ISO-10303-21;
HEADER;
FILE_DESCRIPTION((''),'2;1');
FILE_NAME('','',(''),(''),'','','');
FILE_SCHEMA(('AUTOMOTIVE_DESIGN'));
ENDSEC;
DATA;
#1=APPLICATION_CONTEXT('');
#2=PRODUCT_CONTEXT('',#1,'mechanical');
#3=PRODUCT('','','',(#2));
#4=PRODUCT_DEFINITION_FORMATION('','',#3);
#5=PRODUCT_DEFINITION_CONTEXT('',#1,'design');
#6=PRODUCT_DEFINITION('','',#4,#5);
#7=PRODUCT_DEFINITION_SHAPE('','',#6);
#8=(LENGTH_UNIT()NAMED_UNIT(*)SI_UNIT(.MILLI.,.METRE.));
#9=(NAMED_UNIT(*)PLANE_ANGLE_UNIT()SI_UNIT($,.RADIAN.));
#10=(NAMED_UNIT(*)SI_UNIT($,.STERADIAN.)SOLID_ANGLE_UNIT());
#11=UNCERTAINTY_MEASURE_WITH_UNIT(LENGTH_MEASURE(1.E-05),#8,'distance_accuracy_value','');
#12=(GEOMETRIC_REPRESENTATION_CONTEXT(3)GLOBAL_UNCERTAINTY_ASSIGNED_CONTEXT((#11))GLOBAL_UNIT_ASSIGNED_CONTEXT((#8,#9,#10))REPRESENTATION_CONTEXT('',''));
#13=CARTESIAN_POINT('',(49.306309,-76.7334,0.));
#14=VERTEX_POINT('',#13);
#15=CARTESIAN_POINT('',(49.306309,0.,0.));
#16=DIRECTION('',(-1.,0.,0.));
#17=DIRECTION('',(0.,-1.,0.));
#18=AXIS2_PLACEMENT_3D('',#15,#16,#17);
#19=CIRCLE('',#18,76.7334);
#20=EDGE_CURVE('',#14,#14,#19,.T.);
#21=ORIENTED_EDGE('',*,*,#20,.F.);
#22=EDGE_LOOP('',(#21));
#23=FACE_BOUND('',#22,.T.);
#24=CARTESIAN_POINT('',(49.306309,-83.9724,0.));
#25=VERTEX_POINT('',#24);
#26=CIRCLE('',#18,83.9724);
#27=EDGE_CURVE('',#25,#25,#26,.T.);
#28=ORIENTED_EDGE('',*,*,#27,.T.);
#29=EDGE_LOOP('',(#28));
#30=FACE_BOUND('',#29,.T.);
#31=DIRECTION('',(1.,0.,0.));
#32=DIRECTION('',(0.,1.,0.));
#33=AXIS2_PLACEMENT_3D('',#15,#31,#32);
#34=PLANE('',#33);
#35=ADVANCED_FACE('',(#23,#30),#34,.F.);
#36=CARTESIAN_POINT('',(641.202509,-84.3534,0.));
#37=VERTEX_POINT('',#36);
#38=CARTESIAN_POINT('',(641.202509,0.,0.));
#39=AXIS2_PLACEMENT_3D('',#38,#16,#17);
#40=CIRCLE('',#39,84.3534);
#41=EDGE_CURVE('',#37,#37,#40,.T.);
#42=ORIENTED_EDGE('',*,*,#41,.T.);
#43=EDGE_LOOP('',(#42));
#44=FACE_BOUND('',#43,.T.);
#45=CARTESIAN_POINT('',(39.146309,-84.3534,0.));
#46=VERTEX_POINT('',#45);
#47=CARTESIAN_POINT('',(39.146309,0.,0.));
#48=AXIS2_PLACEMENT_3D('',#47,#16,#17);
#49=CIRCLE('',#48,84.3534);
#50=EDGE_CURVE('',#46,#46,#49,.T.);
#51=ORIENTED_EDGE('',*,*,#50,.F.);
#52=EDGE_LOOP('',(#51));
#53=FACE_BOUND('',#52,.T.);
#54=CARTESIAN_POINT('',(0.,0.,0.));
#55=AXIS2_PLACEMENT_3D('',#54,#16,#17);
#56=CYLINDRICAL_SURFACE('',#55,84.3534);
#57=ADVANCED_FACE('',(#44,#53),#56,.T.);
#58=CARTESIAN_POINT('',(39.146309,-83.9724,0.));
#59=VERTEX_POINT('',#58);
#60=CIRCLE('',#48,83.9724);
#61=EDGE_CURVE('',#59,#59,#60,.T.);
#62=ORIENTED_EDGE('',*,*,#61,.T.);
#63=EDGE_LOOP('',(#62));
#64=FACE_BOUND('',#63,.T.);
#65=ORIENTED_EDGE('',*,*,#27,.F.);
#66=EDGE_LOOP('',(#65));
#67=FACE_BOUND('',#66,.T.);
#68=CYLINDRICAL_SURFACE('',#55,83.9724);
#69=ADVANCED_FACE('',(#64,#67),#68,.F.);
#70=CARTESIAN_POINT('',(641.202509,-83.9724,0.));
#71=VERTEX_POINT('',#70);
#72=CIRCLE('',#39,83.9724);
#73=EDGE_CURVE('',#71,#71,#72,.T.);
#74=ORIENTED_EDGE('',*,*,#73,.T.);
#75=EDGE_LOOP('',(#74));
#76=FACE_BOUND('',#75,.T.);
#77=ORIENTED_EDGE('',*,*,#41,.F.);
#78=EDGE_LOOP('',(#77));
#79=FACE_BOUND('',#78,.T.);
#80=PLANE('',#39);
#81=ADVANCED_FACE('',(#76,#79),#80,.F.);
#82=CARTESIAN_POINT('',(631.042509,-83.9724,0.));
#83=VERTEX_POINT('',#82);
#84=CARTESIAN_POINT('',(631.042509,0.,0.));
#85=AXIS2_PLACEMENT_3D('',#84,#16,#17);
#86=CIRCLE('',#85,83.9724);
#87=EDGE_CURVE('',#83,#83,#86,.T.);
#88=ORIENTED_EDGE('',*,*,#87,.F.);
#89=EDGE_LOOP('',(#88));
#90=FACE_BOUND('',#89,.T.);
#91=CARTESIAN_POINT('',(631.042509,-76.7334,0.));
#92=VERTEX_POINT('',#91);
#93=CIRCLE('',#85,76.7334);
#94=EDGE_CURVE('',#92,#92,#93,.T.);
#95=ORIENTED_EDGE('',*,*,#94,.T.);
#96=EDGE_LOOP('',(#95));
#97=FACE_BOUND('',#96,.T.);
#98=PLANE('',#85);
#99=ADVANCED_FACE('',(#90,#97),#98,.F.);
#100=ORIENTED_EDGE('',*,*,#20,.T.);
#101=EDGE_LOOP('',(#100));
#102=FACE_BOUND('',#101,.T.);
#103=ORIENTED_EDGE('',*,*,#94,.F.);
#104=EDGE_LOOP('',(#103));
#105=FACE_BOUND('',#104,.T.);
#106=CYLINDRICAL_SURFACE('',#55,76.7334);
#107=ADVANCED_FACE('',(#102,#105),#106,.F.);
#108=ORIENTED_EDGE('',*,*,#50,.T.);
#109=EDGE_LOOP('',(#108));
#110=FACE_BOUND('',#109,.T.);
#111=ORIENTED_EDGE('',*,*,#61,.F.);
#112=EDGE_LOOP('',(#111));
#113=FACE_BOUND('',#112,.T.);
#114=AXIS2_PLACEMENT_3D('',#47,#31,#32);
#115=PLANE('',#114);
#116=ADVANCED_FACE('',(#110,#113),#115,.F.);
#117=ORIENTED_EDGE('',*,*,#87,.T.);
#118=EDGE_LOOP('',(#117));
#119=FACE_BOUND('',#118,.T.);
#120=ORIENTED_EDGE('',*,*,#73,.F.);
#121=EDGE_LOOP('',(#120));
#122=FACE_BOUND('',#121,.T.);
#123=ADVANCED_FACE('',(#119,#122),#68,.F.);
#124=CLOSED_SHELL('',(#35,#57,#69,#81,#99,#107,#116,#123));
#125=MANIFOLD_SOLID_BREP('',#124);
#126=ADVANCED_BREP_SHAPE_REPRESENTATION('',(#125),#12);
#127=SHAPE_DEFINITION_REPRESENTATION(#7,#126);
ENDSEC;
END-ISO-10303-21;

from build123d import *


with BuildPart() as part:
    # Sketch1 → Revolve1 (revolve)
    with BuildSketch(Plane.XY, mode=Mode.PRIVATE) as revolve1_sk:
        Polygon((39.146309032, 83.9724), (49.306309032, 83.9724), (49.306309032, 76.7334), (631.042509032, 76.7334), (631.042509032, 83.9724), (641.202509032, 83.9724), (641.202509032, 84.3534), (39.146309032, 84.3534), align=None)
    revolve(revolve1_sk.sketch.rotate(Axis((0, 0, 0), (1, 0, 0)), 180), axis=Axis((0, 0, 0), (1, 0, 0)))


solid = part.part
